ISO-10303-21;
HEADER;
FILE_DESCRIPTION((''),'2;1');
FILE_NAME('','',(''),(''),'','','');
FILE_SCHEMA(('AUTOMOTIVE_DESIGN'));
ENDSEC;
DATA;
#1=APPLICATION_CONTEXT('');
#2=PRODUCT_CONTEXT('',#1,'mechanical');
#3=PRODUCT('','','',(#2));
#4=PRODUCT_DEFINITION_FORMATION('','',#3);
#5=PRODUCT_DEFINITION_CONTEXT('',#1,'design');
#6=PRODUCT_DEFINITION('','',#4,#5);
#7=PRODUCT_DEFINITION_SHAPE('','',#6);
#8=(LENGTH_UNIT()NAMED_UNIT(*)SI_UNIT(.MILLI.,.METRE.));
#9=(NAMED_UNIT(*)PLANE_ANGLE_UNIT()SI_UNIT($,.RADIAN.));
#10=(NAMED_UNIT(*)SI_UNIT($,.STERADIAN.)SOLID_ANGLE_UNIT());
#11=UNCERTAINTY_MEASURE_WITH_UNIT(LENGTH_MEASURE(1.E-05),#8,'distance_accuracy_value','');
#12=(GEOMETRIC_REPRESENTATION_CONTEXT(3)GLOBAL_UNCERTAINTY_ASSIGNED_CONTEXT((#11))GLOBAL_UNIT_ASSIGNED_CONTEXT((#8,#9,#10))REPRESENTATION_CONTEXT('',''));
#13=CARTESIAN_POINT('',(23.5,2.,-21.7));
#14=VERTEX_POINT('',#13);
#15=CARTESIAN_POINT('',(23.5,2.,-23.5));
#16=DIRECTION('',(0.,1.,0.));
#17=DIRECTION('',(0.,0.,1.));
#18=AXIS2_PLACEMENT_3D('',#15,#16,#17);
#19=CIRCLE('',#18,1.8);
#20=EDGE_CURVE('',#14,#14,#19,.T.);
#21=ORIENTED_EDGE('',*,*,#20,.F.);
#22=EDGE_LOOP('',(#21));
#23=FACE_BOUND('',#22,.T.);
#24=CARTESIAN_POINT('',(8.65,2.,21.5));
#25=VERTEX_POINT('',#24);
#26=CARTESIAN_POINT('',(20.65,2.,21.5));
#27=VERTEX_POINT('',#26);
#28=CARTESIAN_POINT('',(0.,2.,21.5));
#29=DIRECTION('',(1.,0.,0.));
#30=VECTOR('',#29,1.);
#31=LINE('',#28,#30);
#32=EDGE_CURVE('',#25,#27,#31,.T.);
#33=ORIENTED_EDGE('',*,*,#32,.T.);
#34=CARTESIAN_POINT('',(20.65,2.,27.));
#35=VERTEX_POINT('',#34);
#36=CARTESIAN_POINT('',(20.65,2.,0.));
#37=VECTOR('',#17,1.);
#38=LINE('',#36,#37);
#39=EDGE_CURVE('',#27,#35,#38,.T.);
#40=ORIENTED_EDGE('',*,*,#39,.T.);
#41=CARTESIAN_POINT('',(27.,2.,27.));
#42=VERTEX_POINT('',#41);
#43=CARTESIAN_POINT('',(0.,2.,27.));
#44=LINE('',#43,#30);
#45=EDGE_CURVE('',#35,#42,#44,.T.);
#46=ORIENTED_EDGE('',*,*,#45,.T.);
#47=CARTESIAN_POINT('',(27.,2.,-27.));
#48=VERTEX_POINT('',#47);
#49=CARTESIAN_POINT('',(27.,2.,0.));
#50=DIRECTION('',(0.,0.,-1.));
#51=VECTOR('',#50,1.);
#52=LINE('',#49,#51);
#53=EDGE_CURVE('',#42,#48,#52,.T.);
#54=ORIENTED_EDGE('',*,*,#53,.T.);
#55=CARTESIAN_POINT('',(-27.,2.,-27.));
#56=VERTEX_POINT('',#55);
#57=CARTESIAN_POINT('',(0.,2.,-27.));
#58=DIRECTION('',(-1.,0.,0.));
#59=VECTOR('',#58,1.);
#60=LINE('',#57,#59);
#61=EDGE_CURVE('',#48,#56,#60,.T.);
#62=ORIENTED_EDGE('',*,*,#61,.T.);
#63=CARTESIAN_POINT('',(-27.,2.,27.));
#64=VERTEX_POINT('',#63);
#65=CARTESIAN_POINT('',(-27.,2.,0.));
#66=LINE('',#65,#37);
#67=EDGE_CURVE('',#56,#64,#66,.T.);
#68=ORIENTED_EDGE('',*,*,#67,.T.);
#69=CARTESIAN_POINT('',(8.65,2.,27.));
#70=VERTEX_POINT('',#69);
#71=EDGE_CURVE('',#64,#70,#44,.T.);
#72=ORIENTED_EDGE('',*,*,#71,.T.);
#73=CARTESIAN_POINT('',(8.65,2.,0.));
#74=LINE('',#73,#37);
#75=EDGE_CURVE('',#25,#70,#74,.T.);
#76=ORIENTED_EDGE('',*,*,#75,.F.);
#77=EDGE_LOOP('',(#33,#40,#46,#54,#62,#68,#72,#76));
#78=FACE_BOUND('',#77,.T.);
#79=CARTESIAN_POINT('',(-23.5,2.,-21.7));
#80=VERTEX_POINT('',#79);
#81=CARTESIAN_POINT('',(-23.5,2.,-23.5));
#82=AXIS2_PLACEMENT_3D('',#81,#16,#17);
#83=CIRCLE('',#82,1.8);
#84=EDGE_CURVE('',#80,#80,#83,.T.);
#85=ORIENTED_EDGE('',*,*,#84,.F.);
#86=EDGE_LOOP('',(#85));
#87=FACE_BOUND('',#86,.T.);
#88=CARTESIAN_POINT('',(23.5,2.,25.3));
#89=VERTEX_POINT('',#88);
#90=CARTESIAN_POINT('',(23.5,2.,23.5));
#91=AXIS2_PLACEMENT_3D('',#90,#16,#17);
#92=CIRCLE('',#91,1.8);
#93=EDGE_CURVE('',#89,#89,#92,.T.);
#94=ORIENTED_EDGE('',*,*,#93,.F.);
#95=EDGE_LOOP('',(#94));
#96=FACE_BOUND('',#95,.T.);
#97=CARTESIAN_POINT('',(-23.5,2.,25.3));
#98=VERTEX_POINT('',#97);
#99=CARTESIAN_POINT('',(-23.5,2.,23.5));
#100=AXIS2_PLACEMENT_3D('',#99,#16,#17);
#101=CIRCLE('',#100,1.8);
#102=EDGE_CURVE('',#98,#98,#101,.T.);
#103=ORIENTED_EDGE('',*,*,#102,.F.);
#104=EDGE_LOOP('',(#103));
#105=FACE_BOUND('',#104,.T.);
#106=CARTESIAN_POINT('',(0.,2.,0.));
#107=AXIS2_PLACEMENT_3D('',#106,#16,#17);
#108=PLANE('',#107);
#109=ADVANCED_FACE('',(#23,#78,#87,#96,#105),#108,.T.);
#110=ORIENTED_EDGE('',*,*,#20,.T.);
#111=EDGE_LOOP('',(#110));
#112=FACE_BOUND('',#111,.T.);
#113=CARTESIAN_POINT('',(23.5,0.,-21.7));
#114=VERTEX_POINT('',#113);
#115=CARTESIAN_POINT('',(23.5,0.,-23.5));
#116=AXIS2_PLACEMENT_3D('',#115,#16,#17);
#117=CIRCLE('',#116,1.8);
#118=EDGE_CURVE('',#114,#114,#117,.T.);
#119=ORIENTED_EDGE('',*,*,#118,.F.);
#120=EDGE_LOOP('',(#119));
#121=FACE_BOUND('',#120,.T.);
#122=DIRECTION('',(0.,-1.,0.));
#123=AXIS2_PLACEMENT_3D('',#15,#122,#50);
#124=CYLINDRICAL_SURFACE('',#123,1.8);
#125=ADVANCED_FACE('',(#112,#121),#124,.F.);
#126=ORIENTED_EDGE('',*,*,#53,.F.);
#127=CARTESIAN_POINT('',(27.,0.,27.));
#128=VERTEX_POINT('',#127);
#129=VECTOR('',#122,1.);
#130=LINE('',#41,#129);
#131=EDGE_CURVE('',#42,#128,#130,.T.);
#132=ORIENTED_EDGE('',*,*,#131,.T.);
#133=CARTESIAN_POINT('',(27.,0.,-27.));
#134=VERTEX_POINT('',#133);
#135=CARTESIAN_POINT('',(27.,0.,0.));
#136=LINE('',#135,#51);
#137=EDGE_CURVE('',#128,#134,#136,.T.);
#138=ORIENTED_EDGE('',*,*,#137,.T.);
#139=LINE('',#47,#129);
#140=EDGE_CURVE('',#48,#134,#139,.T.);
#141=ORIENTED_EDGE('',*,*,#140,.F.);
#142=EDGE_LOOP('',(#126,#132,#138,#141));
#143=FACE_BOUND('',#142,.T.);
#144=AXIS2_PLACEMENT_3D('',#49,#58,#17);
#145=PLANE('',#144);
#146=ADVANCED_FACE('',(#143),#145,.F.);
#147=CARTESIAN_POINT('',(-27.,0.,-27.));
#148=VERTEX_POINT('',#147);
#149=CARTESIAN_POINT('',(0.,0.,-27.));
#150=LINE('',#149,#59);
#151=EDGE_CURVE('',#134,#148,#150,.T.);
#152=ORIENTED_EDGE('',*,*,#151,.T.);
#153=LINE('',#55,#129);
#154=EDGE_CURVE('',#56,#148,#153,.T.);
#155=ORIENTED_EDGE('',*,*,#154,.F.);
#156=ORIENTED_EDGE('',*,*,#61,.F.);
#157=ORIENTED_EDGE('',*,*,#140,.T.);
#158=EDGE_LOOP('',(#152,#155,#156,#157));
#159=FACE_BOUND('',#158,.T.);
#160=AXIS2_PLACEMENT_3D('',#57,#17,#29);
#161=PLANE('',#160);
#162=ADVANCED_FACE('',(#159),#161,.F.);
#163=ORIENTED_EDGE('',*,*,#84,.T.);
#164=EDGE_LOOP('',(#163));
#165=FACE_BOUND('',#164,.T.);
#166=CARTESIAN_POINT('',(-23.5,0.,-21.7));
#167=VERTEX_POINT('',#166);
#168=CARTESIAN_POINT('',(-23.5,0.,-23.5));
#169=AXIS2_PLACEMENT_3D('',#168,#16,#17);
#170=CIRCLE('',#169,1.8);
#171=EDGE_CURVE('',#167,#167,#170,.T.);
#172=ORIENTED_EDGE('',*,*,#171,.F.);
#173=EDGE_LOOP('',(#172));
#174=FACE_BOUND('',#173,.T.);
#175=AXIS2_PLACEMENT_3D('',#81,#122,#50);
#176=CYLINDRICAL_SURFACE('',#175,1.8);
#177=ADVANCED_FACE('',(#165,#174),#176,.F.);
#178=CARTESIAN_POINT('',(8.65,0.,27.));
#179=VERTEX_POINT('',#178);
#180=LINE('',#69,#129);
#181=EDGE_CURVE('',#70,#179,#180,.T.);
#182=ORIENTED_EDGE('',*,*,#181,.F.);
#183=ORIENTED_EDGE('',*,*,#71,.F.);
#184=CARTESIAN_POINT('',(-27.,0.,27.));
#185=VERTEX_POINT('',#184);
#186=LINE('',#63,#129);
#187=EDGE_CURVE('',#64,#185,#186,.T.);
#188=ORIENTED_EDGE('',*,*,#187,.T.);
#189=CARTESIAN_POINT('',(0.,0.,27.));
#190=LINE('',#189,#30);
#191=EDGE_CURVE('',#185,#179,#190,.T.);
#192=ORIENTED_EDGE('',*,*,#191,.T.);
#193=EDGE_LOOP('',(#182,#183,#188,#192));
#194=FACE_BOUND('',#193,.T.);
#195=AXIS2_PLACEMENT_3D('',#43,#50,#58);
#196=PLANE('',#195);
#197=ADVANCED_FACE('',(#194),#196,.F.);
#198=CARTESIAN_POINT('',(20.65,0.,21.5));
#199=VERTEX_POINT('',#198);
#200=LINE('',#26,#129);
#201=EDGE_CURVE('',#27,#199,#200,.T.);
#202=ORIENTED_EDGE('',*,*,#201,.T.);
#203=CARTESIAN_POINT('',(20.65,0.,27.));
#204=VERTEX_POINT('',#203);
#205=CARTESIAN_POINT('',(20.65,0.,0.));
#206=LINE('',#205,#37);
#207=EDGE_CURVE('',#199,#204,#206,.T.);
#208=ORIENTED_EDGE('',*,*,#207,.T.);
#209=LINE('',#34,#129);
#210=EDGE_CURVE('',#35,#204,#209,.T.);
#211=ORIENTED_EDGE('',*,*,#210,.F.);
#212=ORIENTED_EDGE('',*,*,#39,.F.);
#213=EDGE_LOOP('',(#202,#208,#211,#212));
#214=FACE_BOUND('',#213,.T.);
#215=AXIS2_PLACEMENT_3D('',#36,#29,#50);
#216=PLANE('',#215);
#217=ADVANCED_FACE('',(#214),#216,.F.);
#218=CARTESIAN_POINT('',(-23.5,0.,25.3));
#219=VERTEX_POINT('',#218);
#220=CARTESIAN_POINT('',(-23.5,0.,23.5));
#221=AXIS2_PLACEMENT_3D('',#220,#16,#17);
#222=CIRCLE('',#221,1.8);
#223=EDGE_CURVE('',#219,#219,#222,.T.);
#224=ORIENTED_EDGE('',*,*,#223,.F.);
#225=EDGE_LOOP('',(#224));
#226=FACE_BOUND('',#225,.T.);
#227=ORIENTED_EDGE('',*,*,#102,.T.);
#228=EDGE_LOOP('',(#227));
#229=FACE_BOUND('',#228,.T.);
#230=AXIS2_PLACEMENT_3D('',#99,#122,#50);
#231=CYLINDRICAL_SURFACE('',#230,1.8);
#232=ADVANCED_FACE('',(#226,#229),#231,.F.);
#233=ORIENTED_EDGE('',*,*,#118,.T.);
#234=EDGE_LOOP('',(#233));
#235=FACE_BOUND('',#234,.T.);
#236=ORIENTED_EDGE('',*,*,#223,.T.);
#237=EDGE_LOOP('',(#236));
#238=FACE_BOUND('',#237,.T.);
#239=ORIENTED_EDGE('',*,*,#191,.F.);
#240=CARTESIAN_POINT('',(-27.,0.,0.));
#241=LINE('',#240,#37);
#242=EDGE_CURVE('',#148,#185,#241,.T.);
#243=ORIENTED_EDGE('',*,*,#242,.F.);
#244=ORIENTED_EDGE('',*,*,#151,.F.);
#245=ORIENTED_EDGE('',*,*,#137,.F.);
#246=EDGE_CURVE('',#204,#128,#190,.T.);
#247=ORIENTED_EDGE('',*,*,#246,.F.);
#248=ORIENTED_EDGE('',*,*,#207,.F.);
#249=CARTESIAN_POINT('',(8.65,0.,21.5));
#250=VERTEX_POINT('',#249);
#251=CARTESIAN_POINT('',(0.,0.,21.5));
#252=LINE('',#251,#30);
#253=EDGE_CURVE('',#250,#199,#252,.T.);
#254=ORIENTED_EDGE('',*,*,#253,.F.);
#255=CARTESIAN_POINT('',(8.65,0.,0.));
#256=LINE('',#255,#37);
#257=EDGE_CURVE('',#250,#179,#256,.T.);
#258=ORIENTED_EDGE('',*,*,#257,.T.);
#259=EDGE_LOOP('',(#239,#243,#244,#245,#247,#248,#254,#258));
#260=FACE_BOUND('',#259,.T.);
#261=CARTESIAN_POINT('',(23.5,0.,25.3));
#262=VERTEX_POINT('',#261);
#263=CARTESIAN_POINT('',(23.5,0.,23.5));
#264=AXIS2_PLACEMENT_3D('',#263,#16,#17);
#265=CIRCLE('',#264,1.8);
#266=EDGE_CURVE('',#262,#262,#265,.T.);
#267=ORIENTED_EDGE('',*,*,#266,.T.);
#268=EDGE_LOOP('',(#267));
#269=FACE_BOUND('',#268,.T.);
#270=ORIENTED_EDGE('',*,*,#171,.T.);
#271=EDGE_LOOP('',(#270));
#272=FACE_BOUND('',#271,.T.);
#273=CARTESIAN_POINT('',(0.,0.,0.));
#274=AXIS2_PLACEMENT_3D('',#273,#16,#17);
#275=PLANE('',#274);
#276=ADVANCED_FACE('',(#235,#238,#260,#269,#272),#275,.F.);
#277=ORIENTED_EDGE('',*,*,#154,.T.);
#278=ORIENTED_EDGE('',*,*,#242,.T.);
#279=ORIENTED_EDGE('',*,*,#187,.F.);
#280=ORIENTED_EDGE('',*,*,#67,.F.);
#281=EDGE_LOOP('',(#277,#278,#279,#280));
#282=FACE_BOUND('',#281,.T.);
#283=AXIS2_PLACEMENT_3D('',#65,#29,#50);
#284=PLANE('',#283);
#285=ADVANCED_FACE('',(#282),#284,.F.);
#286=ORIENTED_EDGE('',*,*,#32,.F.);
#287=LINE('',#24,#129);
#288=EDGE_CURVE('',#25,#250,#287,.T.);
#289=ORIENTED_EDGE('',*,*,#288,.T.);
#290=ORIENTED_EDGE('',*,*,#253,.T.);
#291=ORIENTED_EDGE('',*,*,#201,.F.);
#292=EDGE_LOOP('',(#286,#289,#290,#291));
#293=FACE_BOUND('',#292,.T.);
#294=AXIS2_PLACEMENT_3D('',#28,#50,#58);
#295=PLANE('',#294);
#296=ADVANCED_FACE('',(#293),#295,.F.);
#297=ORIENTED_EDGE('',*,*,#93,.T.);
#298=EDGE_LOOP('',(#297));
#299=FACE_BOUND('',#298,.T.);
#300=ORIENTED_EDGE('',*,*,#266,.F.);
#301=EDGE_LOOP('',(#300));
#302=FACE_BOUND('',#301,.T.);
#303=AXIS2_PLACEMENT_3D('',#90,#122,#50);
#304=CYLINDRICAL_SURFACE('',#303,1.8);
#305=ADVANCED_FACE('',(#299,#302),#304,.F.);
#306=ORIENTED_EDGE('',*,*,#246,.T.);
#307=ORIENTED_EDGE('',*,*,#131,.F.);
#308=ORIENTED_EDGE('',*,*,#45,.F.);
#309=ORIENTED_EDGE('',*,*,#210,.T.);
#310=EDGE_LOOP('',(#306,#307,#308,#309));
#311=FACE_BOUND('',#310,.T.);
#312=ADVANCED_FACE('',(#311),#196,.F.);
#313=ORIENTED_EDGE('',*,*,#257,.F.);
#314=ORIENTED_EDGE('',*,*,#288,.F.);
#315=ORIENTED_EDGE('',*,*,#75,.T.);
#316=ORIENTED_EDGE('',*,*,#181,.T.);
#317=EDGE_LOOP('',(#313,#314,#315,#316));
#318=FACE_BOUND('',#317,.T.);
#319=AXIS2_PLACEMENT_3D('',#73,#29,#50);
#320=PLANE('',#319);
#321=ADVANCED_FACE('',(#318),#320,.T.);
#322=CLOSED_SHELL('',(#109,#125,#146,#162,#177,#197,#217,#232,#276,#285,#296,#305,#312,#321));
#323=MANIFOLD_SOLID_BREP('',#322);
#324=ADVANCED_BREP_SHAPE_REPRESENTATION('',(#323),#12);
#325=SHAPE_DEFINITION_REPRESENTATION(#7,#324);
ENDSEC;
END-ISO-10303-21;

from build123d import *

# Parameters (mm, degrees)
SKETCH_3_R      = 1.8
EXTRUDE_2_DEPTH = 2


with BuildPart() as part:
    # 草图3 → 凸台-拉伸2 (new body)
    with BuildSketch(Plane(origin=(0, 0, 0), x_dir=(1, 0, 0), z_dir=(0, 1, 0))):
        Polygon((27, 27), (-27, 27), (-27, -27), (8.65, -27), (8.65, -21.5), (20.65, -21.5), (20.65, -27), (27, -27), align=None)
        with Locations((-23.5, -23.5)):
            Circle(SKETCH_3_R, mode=Mode.SUBTRACT)
        with Locations((23.5, -23.5)):
            Circle(SKETCH_3_R, mode=Mode.SUBTRACT)
        with Locations((-23.5, 23.5)):
            Circle(SKETCH_3_R, mode=Mode.SUBTRACT)
        with Locations((23.5, 23.5)):
            Circle(SKETCH_3_R, mode=Mode.SUBTRACT)
    extrude(amount=EXTRUDE_2_DEPTH)


solid = part.part
